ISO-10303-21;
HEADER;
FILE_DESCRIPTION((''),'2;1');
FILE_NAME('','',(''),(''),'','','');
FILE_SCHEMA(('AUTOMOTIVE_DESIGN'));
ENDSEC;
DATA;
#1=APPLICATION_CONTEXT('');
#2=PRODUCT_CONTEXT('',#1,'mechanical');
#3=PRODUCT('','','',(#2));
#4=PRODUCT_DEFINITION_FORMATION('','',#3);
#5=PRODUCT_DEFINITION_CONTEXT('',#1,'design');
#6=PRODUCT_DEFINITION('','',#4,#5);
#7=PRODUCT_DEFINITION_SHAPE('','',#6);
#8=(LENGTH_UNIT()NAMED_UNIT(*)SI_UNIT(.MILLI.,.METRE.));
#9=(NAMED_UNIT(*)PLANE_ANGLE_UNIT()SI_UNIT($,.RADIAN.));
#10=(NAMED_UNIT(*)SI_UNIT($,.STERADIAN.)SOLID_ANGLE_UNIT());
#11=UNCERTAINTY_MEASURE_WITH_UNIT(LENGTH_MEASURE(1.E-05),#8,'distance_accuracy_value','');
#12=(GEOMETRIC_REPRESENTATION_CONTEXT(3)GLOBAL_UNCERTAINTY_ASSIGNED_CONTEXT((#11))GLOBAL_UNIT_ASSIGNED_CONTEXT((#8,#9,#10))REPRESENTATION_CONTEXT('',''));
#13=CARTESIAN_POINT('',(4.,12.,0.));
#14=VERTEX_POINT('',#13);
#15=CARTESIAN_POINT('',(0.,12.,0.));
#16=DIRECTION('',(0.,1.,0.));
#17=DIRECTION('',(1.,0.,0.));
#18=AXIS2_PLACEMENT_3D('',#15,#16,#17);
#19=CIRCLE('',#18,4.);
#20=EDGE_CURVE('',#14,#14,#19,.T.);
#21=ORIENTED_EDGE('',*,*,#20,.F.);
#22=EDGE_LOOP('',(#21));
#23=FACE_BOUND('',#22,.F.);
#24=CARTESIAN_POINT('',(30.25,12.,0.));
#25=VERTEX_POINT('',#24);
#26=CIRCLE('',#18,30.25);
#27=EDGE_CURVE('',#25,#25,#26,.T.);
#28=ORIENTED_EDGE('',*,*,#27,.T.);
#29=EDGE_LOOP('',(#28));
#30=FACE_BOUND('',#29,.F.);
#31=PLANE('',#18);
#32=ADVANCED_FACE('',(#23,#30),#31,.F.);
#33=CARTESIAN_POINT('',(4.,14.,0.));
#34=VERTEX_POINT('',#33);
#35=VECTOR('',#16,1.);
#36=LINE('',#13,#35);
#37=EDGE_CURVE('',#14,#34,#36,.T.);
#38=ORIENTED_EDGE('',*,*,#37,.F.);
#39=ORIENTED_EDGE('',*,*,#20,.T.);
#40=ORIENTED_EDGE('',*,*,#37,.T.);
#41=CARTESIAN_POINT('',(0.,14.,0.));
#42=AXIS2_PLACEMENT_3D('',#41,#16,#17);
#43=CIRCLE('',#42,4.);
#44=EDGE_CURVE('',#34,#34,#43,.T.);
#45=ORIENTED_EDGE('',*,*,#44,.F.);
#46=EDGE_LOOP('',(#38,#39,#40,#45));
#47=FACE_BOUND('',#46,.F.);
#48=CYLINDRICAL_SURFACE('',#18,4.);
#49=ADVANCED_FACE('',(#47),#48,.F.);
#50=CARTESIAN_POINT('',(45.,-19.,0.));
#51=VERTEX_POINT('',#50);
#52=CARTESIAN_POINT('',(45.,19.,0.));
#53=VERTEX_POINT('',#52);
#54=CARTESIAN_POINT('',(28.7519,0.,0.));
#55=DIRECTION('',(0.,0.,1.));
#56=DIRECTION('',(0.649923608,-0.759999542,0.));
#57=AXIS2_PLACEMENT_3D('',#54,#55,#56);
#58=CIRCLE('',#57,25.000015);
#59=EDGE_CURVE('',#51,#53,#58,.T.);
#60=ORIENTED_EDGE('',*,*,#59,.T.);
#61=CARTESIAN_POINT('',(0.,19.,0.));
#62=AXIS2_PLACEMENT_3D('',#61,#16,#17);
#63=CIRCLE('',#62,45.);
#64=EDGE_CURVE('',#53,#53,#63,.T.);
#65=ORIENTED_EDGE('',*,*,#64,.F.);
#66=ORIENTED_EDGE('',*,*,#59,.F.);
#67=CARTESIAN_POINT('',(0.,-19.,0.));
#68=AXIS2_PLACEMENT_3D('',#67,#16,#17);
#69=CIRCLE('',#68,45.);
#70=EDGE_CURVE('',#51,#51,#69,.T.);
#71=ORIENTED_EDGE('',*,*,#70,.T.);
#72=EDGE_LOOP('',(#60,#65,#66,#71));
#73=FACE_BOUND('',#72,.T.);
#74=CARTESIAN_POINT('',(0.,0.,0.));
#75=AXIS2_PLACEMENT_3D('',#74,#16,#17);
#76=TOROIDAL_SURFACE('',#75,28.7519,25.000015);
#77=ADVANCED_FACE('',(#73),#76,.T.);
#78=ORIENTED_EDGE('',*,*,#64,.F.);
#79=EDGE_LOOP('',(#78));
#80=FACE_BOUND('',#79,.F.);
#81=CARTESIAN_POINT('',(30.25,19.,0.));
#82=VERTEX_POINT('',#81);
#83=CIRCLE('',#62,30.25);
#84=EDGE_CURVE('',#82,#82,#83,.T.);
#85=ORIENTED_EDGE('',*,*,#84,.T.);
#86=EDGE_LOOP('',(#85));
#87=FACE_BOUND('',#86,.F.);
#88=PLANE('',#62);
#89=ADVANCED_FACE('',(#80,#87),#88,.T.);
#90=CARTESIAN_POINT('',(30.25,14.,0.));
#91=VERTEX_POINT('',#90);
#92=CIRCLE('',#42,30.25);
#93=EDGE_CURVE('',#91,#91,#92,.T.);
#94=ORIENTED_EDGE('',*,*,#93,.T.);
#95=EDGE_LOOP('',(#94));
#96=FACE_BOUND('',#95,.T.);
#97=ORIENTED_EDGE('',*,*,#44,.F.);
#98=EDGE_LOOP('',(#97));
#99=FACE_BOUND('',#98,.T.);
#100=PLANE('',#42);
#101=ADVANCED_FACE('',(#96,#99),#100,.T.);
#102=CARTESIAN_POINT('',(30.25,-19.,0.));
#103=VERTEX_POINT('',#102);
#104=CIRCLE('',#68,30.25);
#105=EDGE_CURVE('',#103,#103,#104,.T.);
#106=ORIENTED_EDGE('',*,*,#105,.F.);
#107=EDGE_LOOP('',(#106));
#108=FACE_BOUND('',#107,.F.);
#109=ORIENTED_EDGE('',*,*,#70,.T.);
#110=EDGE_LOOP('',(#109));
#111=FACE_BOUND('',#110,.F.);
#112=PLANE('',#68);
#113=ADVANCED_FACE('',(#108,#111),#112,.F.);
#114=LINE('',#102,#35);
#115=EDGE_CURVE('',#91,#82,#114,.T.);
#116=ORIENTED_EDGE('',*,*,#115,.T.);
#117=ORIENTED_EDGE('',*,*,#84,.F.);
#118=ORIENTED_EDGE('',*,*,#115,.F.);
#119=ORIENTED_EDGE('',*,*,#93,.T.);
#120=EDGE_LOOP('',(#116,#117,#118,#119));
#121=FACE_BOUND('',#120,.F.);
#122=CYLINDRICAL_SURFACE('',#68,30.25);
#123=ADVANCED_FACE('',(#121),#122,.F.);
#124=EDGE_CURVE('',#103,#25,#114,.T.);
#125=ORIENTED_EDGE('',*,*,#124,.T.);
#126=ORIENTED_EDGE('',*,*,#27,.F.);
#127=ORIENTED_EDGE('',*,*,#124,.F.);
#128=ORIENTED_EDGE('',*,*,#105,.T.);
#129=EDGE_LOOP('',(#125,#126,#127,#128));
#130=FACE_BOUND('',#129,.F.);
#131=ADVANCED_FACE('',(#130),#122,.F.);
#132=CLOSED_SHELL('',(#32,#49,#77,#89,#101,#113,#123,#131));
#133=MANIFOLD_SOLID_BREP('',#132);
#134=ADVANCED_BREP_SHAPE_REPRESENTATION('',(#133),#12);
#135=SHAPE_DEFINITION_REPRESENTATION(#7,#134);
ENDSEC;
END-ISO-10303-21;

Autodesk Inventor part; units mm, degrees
ref_plane "YZ Plane" through (0, 0, 0) normal (1, 0, 0) x (0, 1, 0)
ref_plane "XZ Plane" through (0, 0, 0) normal (0, 1, 0) x (-1, 0, 0)
ref_plane "XY Plane" through (0, 0, 0) normal (0, 0, 1) x (1, 0, 0)
sketch "Sketch1" plane through (0, 0, 0) normal (0, 0, 1) x (1, 0, 0)
  line L0 (45, 19) -> (45, -19) construction
  line L1 (45, -19) -> (30.25, -19)
  line L2 (30.25, -19) -> (30.25, 19)
  line L3 (30.25, 19) -> (45, 19)
  line L4 (45, 19) -> (30.25, -19) construction
  line L5 (45, -19) -> (30.25, 19) construction
  line L6 (4, 12) -> (4, 19)
  line L7 (4, 19) -> (30.25, 19)
  line L8 (30.25, 19) -> (30.25, 12)
  line L9 (30.25, 12) -> (4, 12)
  line L10 (4, 12) -> (30.25, 19) construction
  line L11 (4, 19) -> (30.25, 12) construction
  arc A0 (45, -19) -> (45, 19) centre (28.7519, 0) ccw
  line L12 (30.25, 14) -> (4, 14)
  line L13 (0, -26.6) -> (0, 26.6) projected
  point P0 (0, 0)
  point P1 (37.625, 0)
  point P2 (17.125, 15.5)
  dimension "d0" = 45
  dimension "d1" = 38
  dimension "d2" = 4
  dimension "d3" = 30.25
  dimension "d4" = 5
  dimension "d5" = 2
  dimension "d6" = 25
revolve "Revolution1" add sketch "Sketch1" angle 360 about axis through (0, -10, 0) along (0, 1, 0) contours L1 L2 L3 A0 | L9 L6 L12 L2
properties part number "smooth-wheel"
